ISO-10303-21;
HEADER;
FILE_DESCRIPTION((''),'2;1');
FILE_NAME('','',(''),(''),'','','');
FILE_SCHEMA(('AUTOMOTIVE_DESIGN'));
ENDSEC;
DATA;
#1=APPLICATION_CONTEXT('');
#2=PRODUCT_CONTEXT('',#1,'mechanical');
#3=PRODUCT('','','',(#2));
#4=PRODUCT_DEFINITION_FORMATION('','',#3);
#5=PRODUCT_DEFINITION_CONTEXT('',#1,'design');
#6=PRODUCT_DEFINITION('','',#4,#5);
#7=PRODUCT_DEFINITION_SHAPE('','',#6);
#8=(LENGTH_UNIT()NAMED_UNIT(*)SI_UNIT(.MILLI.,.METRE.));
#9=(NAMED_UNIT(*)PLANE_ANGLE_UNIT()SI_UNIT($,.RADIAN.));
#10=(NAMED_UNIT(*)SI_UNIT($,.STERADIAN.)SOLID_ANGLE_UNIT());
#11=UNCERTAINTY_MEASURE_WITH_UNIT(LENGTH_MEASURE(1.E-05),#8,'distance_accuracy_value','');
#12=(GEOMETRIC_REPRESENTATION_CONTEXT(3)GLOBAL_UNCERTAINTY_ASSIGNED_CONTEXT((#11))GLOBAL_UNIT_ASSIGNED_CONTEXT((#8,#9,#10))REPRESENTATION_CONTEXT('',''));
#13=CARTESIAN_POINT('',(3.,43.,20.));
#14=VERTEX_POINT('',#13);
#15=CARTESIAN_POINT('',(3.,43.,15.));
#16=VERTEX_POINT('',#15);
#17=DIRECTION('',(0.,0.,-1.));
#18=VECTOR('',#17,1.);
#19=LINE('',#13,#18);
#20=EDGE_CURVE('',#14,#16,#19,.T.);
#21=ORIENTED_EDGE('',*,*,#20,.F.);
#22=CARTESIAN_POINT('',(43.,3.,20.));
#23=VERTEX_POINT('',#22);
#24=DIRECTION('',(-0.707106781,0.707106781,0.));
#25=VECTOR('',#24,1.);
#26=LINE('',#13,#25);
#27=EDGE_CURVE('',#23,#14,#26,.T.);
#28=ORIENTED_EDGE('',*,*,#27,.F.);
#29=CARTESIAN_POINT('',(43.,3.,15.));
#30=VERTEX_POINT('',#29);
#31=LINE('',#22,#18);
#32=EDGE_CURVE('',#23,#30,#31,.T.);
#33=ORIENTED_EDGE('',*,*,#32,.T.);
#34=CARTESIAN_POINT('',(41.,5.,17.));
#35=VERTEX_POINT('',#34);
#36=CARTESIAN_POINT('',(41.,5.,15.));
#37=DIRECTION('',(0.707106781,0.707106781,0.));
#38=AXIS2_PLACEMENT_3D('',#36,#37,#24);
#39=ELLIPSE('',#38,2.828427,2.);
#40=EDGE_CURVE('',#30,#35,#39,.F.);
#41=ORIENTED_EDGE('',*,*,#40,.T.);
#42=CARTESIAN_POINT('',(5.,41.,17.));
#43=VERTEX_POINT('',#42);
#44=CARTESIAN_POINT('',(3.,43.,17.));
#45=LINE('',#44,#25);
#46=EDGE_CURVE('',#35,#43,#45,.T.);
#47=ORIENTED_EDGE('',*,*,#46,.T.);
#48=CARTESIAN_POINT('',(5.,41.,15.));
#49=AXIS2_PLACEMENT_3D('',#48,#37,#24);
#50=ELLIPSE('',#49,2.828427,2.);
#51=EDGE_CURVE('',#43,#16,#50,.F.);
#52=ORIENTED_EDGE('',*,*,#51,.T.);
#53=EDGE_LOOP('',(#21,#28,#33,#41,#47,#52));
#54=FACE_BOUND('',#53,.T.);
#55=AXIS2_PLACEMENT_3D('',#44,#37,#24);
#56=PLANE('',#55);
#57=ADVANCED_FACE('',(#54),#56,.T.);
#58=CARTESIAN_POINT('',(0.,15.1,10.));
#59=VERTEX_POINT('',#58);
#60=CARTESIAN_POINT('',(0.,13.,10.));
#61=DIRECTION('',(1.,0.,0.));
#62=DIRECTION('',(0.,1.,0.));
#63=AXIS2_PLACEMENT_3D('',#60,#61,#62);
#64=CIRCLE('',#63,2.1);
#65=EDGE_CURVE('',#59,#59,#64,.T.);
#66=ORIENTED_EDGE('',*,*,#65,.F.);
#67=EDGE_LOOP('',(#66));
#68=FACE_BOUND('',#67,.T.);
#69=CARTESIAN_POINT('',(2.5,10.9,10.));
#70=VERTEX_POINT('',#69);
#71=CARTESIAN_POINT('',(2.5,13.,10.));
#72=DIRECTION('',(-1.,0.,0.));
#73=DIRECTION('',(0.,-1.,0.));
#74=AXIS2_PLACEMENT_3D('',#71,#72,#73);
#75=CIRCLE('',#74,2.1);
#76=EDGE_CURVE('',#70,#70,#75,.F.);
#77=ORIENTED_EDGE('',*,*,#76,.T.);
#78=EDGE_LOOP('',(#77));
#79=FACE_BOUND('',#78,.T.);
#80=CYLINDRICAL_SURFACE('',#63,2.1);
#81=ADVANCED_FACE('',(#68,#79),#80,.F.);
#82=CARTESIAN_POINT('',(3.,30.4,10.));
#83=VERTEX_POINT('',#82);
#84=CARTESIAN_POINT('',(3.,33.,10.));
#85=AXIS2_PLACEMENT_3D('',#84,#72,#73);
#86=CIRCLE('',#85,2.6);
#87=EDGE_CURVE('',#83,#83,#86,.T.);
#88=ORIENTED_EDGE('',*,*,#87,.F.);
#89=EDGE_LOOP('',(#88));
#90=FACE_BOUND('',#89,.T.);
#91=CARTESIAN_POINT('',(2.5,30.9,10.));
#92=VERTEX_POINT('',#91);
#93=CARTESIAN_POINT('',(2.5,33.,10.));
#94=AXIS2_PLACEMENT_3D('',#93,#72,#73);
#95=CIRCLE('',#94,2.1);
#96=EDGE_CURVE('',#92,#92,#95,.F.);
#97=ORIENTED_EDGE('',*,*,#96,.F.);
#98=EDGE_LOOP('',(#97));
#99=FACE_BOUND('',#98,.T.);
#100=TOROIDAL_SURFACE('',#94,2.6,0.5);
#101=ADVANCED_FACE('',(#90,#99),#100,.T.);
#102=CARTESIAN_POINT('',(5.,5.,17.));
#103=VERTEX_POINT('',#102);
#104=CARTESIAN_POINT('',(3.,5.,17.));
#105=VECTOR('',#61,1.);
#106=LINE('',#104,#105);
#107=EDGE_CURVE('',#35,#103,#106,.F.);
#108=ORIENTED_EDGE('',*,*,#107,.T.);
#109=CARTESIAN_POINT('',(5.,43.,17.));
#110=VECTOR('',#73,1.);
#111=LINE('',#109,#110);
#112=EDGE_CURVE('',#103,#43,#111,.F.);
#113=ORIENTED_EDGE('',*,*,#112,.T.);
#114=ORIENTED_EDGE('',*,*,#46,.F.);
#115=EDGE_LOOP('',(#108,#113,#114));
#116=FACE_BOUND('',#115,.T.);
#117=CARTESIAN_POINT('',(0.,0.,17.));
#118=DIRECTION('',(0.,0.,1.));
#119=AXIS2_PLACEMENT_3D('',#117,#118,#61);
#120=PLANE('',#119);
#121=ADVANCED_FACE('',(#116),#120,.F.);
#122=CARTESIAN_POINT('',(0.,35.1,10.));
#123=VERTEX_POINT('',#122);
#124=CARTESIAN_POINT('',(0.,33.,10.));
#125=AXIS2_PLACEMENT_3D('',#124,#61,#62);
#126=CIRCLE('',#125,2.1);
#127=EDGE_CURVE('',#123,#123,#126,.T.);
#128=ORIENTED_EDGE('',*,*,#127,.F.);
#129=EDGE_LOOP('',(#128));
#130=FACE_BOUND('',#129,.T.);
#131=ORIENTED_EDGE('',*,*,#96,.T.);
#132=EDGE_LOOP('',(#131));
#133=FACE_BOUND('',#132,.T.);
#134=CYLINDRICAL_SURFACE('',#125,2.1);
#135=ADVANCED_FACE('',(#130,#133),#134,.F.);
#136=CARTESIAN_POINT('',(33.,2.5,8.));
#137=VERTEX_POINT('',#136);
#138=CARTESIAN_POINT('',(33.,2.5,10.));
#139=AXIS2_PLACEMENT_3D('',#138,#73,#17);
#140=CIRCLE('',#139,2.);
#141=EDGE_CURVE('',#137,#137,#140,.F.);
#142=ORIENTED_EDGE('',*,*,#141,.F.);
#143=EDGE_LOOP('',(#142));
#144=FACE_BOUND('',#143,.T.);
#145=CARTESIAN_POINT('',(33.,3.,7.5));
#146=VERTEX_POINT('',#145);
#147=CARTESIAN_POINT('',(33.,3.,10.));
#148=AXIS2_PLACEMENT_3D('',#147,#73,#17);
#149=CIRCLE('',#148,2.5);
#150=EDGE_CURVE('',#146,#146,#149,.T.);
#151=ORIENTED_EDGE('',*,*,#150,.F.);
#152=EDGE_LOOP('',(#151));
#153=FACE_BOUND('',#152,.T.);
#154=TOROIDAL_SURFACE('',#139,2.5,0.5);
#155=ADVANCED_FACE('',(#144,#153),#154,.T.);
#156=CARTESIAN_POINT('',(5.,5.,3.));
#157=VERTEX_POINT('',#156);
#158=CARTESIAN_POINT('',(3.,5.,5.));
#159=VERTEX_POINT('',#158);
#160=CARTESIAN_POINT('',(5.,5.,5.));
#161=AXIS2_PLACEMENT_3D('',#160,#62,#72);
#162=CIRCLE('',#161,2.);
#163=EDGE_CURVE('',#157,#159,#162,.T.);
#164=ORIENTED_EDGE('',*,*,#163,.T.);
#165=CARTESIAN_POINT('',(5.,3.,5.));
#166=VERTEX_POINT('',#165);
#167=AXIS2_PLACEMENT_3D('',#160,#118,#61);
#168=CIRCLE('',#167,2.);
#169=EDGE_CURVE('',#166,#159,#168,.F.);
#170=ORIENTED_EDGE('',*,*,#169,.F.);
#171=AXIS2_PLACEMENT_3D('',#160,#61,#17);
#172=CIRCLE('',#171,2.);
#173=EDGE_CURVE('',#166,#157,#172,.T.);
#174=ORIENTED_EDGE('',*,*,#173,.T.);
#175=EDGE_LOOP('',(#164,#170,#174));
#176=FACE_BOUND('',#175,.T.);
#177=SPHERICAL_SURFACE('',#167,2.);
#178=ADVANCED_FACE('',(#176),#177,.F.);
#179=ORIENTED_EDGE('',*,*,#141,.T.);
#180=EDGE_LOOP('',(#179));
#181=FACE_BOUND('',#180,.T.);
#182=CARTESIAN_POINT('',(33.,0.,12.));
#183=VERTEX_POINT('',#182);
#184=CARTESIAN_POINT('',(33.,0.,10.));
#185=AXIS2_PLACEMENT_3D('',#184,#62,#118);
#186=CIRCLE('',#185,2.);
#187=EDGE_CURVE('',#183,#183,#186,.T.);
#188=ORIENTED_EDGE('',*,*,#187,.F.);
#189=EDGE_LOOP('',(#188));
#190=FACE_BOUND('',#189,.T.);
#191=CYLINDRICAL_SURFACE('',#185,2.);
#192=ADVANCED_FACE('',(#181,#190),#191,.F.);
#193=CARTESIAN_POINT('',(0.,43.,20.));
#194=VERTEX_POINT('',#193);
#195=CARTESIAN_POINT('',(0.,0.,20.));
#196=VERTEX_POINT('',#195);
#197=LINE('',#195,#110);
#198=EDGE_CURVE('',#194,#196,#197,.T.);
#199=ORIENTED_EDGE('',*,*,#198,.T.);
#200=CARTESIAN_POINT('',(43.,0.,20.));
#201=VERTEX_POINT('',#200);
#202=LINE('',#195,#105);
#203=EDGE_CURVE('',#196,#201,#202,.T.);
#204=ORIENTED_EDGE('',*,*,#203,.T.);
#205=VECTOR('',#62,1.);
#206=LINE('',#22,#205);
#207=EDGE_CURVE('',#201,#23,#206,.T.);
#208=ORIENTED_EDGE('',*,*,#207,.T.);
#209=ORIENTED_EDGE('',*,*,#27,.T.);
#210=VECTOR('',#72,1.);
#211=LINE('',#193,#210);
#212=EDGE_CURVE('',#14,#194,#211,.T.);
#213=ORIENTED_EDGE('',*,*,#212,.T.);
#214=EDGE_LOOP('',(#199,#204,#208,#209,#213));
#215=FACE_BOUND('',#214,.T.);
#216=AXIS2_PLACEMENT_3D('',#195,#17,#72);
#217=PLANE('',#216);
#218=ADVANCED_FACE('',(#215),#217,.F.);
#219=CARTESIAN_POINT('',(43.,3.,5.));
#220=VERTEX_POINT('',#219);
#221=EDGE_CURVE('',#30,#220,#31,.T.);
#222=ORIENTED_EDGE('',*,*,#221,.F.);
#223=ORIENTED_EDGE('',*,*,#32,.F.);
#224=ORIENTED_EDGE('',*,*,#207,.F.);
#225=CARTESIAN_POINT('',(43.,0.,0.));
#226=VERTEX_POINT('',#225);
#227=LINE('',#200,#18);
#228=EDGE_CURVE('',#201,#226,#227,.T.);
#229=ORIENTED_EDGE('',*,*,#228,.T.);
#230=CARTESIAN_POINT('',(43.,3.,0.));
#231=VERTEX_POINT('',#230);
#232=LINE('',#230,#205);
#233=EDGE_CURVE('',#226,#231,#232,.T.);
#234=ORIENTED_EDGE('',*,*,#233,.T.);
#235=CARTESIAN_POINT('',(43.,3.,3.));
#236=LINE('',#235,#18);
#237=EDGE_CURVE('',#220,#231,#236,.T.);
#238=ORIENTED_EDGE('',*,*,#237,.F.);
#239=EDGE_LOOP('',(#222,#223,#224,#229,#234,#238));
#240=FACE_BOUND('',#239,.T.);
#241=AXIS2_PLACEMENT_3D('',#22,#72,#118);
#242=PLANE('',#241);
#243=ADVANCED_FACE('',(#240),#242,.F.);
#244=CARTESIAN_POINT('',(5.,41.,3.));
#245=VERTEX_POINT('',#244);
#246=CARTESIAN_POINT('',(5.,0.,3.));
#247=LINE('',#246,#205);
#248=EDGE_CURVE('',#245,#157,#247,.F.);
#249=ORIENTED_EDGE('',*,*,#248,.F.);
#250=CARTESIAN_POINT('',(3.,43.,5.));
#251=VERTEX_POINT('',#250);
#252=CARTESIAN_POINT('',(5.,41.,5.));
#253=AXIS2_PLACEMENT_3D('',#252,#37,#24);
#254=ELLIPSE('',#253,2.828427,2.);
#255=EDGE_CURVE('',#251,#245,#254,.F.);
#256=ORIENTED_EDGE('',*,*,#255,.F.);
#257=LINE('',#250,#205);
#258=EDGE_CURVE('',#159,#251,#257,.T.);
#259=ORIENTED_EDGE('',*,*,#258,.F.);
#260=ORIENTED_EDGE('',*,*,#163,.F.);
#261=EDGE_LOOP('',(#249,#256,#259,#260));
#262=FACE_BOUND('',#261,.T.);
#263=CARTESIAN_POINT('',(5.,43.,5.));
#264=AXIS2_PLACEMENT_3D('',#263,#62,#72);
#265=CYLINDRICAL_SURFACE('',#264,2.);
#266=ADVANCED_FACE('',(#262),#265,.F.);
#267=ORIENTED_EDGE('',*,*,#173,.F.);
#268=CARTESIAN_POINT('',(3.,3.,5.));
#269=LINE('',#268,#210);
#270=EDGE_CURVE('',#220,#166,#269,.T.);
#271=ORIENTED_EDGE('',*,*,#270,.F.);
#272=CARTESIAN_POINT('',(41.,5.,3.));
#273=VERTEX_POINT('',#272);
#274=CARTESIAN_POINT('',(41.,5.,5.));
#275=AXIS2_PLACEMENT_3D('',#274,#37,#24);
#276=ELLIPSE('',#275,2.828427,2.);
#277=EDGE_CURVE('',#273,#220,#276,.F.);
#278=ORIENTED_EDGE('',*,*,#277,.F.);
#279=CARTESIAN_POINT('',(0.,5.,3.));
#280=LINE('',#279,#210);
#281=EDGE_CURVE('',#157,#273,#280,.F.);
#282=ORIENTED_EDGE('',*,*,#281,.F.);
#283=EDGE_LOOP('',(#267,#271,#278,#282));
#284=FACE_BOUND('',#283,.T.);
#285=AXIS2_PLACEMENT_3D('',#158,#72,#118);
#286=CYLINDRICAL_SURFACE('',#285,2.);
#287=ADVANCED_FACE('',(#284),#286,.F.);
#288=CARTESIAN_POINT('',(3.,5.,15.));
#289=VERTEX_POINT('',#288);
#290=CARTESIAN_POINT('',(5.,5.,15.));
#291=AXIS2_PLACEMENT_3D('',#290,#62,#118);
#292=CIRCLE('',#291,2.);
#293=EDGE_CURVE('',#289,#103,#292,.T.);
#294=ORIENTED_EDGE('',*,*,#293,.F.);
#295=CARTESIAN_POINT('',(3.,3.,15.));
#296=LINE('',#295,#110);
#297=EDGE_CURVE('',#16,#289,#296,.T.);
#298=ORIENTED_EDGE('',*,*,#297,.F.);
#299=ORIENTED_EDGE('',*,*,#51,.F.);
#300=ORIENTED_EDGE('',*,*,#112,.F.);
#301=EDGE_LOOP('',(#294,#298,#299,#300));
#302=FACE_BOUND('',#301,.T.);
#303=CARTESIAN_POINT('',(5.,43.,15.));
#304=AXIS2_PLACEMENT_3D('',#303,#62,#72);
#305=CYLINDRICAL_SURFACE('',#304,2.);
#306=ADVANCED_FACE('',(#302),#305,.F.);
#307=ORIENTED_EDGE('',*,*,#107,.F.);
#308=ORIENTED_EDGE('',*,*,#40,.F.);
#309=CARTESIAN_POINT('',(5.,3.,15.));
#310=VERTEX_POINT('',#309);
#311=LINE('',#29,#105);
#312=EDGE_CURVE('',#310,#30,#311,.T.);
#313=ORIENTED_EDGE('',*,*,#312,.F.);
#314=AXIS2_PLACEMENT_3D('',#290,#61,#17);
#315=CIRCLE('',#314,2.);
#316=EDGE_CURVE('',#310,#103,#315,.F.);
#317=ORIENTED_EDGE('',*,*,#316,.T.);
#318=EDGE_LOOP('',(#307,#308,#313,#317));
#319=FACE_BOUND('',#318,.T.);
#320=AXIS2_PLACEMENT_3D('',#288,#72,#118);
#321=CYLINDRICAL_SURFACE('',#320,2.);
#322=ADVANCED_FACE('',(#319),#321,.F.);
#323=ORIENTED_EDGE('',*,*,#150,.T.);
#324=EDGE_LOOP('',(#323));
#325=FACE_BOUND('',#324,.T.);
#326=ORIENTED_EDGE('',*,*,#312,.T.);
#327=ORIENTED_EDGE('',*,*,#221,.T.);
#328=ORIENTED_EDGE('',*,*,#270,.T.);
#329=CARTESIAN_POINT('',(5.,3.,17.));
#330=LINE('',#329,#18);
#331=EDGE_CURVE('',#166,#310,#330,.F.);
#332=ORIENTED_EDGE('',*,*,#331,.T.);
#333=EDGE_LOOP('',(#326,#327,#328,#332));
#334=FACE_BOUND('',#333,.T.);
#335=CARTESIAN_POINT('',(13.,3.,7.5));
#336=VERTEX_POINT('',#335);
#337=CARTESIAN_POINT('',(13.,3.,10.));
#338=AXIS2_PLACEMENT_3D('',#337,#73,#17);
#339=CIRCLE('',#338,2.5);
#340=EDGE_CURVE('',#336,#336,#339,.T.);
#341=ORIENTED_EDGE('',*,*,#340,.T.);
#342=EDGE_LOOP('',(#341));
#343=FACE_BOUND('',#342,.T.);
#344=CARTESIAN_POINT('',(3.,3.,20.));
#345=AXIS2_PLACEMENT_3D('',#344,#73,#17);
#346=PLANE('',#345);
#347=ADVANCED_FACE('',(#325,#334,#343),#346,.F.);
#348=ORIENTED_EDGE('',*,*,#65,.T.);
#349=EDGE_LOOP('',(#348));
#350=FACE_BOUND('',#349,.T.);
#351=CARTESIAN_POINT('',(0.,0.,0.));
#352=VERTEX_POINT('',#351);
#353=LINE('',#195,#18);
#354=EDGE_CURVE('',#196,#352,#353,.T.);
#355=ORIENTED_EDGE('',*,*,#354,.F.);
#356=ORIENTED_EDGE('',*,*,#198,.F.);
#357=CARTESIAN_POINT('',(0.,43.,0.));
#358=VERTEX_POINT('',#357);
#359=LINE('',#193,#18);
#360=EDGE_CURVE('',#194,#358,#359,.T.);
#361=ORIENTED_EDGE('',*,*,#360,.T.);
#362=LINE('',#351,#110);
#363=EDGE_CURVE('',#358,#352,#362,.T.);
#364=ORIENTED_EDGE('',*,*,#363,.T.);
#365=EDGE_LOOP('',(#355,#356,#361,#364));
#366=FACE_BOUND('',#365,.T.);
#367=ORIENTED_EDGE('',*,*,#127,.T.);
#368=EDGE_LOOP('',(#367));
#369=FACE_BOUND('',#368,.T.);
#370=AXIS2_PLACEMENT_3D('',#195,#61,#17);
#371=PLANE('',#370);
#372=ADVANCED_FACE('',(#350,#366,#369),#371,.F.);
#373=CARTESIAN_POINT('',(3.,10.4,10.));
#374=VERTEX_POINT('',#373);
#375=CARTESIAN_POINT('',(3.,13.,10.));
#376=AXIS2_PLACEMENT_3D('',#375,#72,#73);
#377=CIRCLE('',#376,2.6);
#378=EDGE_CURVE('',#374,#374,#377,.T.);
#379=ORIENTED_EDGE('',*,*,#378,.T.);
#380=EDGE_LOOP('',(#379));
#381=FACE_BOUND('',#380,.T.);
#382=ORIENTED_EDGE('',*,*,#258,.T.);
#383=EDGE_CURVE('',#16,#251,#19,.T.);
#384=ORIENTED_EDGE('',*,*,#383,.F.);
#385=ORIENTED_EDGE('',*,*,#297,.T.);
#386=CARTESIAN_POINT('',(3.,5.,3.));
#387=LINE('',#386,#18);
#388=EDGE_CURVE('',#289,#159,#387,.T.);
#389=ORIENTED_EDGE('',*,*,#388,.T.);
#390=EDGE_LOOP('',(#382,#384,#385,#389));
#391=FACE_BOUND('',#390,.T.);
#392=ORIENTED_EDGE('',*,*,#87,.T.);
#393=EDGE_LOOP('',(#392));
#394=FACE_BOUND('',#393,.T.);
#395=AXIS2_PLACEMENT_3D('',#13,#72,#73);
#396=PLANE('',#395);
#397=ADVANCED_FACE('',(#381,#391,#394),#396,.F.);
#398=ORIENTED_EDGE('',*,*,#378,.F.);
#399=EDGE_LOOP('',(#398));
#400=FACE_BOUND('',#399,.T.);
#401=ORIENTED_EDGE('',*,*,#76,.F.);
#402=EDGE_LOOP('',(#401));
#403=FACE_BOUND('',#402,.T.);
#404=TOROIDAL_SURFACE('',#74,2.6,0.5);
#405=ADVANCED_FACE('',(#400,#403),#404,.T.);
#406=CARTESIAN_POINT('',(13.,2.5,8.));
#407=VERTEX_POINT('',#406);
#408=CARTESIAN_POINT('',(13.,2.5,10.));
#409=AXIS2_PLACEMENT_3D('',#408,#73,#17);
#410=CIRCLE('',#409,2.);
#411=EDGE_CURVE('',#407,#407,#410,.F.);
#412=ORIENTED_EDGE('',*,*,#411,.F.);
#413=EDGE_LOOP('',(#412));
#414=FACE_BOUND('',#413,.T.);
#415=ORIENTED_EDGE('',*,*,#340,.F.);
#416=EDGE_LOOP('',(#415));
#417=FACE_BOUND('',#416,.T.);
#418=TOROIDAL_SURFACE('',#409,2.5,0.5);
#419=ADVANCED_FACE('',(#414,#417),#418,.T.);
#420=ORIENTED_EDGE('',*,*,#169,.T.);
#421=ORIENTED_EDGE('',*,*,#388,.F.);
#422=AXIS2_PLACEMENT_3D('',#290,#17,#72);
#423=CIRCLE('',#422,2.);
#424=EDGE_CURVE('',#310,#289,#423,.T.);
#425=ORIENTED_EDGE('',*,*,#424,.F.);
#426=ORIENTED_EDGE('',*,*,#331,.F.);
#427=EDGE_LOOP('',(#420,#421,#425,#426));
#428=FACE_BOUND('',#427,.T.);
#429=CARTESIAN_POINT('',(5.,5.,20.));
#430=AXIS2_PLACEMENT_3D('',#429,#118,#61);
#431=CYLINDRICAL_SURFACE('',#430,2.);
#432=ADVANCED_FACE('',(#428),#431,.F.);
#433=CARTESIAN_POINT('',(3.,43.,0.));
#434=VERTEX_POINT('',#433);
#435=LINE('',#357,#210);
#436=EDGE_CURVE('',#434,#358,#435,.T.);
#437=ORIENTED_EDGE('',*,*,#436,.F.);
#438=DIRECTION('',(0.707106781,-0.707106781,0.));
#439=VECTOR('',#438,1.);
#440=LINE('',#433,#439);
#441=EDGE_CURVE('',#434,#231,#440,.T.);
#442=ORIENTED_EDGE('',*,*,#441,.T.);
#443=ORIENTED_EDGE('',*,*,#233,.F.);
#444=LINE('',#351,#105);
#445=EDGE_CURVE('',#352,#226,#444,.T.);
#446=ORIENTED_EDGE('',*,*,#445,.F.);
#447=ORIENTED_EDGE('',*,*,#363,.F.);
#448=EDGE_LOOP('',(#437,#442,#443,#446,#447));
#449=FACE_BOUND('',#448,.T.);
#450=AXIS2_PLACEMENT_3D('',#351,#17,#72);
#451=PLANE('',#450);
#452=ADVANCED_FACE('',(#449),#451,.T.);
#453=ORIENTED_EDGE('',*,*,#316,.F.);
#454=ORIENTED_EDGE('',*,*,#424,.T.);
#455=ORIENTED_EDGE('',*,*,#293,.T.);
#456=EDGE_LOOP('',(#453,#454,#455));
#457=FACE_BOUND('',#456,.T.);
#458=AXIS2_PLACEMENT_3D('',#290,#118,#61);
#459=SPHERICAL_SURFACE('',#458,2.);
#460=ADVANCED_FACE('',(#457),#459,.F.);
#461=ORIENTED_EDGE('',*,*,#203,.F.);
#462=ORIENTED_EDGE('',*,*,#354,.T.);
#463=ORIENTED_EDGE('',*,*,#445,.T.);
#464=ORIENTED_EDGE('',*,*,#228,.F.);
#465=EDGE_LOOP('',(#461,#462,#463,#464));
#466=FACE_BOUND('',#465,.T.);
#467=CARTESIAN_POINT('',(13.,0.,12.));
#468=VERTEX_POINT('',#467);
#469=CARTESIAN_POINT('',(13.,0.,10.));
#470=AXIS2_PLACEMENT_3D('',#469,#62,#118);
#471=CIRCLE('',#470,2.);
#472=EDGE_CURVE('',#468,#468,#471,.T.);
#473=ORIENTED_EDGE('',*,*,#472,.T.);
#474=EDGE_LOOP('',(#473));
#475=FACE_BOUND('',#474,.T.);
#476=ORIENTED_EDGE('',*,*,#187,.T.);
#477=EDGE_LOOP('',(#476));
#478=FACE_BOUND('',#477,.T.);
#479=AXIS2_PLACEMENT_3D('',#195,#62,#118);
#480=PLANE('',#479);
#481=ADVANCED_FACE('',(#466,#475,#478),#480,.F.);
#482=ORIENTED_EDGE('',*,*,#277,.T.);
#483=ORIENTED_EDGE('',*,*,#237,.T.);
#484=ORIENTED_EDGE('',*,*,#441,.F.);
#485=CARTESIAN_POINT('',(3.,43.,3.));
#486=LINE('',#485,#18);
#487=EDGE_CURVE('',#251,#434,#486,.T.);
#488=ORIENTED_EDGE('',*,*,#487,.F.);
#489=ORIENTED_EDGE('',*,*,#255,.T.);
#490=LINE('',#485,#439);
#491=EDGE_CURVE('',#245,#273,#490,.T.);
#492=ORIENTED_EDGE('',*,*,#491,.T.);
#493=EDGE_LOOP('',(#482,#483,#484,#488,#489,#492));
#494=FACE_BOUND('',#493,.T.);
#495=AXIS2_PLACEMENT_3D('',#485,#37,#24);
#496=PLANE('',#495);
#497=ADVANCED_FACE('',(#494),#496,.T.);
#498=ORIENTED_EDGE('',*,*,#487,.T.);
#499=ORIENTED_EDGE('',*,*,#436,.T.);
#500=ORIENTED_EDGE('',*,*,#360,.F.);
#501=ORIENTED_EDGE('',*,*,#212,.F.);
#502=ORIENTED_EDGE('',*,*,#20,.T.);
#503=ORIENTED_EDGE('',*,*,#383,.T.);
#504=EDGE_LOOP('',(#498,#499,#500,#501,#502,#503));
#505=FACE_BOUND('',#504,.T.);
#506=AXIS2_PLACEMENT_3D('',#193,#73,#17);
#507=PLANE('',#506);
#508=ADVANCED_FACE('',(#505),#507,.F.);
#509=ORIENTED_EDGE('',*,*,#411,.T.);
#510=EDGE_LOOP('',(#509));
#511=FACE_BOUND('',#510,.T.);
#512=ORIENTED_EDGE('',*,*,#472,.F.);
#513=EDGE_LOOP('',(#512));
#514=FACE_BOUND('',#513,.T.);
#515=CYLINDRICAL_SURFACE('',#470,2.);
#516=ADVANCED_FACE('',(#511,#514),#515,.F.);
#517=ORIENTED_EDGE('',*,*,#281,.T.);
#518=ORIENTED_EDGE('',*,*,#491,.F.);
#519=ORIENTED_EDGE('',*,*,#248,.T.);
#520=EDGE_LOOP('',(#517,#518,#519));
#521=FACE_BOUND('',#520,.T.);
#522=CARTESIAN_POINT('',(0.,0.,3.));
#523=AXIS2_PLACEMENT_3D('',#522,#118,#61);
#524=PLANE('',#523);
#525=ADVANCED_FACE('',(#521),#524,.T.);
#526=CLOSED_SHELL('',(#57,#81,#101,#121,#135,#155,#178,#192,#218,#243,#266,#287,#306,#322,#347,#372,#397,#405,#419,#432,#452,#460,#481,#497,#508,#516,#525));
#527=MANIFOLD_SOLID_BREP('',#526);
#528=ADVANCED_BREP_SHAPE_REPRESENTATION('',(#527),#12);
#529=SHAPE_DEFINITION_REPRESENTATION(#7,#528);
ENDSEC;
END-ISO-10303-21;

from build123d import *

# Parameters (mm, degrees)
BOSS_EXTRUDE1_DEPTH = 20
BOSS_EXTRUDE2_DEPTH = 3
BOSS_EXTRUDE3_DEPTH = 3
SKETCH4_R           = 2.1
CUT_EXTRUDE1_DEPTH  = 63.040309477
SKETCH5_R           = 2
CUT_EXTRUDE2_DEPTH  = 3
FILLET3_R           = 2
FILLET4_R           = 0.5


with BuildPart() as part:
    # Sketch1 → Boss-Extrude1 (new body)
    with BuildSketch(Plane.XY):
        Polygon((0, 0), (0, 43), (3, 43), (3, 3), (43, 3), (43, 0), align=None)
    extrude(amount=BOSS_EXTRUDE1_DEPTH)

    # Sketch2 → Boss-Extrude2 (add)
    with BuildSketch(Plane.XY.offset(20)):
        Polygon((3, 43), (43, 3), (3, 3), align=None)
    extrude(amount=-BOSS_EXTRUDE2_DEPTH)

    # Sketch3 → Boss-Extrude3 (add)
    with BuildSketch(Plane(origin=(0, 0, 0), x_dir=(-1, 0, 0), z_dir=(0, 0, -1))):
        Polygon((-3, 43), (-43, 3), (-3, 3), align=None)
    extrude(amount=-BOSS_EXTRUDE3_DEPTH)

    # Sketch4 → Cut-Extrude1 (cut, through all)
    with BuildSketch(Plane(origin=(3, 0, 0), x_dir=(0, 0, -1), z_dir=(1, 0, 0))):
        with Locations(Location((-10, 33, 0), (0, 0, 90))):
            Circle(SKETCH4_R)
        with Locations(Location((-10, 13, 0), (0, 0, 90))):
            Circle(SKETCH4_R)
    extrude(amount=-CUT_EXTRUDE1_DEPTH, mode=Mode.SUBTRACT)

    # Sketch5 → Cut-Extrude2 (cut)
    with BuildSketch(Plane(origin=(0, 3, 0), x_dir=(1, 0, 0), z_dir=(0, 1, 0))):
        with Locations(Location((13, -10, 0), (0, 0, 270))):
            Circle(SKETCH5_R)
        with Locations(Location((33, -10, 0), (0, 0, 270))):
            Circle(SKETCH5_R)
    extrude(amount=-CUT_EXTRUDE2_DEPTH, mode=Mode.SUBTRACT)

    # Fillet3
    fillet3_edges = [part.edges().sort_by_distance(p)[0] for p in [
        (3, 3, 10),
        (3, 23, 17),
        (23, 3, 17),
        (3, 23, 3),
        (23, 3, 3),
    ]]
    fillet(fillet3_edges, radius=FILLET3_R)

    # Fillet4
    fillet4_edges = [part.edges().sort_by_distance(p)[0] for p in [
        (3, 30.9, 10),
        (3, 10.9, 10),
        (13, 3, 8),
        (33, 3, 8),
    ]]
    fillet(fillet4_edges, radius=FILLET4_R)


solid = part.part
